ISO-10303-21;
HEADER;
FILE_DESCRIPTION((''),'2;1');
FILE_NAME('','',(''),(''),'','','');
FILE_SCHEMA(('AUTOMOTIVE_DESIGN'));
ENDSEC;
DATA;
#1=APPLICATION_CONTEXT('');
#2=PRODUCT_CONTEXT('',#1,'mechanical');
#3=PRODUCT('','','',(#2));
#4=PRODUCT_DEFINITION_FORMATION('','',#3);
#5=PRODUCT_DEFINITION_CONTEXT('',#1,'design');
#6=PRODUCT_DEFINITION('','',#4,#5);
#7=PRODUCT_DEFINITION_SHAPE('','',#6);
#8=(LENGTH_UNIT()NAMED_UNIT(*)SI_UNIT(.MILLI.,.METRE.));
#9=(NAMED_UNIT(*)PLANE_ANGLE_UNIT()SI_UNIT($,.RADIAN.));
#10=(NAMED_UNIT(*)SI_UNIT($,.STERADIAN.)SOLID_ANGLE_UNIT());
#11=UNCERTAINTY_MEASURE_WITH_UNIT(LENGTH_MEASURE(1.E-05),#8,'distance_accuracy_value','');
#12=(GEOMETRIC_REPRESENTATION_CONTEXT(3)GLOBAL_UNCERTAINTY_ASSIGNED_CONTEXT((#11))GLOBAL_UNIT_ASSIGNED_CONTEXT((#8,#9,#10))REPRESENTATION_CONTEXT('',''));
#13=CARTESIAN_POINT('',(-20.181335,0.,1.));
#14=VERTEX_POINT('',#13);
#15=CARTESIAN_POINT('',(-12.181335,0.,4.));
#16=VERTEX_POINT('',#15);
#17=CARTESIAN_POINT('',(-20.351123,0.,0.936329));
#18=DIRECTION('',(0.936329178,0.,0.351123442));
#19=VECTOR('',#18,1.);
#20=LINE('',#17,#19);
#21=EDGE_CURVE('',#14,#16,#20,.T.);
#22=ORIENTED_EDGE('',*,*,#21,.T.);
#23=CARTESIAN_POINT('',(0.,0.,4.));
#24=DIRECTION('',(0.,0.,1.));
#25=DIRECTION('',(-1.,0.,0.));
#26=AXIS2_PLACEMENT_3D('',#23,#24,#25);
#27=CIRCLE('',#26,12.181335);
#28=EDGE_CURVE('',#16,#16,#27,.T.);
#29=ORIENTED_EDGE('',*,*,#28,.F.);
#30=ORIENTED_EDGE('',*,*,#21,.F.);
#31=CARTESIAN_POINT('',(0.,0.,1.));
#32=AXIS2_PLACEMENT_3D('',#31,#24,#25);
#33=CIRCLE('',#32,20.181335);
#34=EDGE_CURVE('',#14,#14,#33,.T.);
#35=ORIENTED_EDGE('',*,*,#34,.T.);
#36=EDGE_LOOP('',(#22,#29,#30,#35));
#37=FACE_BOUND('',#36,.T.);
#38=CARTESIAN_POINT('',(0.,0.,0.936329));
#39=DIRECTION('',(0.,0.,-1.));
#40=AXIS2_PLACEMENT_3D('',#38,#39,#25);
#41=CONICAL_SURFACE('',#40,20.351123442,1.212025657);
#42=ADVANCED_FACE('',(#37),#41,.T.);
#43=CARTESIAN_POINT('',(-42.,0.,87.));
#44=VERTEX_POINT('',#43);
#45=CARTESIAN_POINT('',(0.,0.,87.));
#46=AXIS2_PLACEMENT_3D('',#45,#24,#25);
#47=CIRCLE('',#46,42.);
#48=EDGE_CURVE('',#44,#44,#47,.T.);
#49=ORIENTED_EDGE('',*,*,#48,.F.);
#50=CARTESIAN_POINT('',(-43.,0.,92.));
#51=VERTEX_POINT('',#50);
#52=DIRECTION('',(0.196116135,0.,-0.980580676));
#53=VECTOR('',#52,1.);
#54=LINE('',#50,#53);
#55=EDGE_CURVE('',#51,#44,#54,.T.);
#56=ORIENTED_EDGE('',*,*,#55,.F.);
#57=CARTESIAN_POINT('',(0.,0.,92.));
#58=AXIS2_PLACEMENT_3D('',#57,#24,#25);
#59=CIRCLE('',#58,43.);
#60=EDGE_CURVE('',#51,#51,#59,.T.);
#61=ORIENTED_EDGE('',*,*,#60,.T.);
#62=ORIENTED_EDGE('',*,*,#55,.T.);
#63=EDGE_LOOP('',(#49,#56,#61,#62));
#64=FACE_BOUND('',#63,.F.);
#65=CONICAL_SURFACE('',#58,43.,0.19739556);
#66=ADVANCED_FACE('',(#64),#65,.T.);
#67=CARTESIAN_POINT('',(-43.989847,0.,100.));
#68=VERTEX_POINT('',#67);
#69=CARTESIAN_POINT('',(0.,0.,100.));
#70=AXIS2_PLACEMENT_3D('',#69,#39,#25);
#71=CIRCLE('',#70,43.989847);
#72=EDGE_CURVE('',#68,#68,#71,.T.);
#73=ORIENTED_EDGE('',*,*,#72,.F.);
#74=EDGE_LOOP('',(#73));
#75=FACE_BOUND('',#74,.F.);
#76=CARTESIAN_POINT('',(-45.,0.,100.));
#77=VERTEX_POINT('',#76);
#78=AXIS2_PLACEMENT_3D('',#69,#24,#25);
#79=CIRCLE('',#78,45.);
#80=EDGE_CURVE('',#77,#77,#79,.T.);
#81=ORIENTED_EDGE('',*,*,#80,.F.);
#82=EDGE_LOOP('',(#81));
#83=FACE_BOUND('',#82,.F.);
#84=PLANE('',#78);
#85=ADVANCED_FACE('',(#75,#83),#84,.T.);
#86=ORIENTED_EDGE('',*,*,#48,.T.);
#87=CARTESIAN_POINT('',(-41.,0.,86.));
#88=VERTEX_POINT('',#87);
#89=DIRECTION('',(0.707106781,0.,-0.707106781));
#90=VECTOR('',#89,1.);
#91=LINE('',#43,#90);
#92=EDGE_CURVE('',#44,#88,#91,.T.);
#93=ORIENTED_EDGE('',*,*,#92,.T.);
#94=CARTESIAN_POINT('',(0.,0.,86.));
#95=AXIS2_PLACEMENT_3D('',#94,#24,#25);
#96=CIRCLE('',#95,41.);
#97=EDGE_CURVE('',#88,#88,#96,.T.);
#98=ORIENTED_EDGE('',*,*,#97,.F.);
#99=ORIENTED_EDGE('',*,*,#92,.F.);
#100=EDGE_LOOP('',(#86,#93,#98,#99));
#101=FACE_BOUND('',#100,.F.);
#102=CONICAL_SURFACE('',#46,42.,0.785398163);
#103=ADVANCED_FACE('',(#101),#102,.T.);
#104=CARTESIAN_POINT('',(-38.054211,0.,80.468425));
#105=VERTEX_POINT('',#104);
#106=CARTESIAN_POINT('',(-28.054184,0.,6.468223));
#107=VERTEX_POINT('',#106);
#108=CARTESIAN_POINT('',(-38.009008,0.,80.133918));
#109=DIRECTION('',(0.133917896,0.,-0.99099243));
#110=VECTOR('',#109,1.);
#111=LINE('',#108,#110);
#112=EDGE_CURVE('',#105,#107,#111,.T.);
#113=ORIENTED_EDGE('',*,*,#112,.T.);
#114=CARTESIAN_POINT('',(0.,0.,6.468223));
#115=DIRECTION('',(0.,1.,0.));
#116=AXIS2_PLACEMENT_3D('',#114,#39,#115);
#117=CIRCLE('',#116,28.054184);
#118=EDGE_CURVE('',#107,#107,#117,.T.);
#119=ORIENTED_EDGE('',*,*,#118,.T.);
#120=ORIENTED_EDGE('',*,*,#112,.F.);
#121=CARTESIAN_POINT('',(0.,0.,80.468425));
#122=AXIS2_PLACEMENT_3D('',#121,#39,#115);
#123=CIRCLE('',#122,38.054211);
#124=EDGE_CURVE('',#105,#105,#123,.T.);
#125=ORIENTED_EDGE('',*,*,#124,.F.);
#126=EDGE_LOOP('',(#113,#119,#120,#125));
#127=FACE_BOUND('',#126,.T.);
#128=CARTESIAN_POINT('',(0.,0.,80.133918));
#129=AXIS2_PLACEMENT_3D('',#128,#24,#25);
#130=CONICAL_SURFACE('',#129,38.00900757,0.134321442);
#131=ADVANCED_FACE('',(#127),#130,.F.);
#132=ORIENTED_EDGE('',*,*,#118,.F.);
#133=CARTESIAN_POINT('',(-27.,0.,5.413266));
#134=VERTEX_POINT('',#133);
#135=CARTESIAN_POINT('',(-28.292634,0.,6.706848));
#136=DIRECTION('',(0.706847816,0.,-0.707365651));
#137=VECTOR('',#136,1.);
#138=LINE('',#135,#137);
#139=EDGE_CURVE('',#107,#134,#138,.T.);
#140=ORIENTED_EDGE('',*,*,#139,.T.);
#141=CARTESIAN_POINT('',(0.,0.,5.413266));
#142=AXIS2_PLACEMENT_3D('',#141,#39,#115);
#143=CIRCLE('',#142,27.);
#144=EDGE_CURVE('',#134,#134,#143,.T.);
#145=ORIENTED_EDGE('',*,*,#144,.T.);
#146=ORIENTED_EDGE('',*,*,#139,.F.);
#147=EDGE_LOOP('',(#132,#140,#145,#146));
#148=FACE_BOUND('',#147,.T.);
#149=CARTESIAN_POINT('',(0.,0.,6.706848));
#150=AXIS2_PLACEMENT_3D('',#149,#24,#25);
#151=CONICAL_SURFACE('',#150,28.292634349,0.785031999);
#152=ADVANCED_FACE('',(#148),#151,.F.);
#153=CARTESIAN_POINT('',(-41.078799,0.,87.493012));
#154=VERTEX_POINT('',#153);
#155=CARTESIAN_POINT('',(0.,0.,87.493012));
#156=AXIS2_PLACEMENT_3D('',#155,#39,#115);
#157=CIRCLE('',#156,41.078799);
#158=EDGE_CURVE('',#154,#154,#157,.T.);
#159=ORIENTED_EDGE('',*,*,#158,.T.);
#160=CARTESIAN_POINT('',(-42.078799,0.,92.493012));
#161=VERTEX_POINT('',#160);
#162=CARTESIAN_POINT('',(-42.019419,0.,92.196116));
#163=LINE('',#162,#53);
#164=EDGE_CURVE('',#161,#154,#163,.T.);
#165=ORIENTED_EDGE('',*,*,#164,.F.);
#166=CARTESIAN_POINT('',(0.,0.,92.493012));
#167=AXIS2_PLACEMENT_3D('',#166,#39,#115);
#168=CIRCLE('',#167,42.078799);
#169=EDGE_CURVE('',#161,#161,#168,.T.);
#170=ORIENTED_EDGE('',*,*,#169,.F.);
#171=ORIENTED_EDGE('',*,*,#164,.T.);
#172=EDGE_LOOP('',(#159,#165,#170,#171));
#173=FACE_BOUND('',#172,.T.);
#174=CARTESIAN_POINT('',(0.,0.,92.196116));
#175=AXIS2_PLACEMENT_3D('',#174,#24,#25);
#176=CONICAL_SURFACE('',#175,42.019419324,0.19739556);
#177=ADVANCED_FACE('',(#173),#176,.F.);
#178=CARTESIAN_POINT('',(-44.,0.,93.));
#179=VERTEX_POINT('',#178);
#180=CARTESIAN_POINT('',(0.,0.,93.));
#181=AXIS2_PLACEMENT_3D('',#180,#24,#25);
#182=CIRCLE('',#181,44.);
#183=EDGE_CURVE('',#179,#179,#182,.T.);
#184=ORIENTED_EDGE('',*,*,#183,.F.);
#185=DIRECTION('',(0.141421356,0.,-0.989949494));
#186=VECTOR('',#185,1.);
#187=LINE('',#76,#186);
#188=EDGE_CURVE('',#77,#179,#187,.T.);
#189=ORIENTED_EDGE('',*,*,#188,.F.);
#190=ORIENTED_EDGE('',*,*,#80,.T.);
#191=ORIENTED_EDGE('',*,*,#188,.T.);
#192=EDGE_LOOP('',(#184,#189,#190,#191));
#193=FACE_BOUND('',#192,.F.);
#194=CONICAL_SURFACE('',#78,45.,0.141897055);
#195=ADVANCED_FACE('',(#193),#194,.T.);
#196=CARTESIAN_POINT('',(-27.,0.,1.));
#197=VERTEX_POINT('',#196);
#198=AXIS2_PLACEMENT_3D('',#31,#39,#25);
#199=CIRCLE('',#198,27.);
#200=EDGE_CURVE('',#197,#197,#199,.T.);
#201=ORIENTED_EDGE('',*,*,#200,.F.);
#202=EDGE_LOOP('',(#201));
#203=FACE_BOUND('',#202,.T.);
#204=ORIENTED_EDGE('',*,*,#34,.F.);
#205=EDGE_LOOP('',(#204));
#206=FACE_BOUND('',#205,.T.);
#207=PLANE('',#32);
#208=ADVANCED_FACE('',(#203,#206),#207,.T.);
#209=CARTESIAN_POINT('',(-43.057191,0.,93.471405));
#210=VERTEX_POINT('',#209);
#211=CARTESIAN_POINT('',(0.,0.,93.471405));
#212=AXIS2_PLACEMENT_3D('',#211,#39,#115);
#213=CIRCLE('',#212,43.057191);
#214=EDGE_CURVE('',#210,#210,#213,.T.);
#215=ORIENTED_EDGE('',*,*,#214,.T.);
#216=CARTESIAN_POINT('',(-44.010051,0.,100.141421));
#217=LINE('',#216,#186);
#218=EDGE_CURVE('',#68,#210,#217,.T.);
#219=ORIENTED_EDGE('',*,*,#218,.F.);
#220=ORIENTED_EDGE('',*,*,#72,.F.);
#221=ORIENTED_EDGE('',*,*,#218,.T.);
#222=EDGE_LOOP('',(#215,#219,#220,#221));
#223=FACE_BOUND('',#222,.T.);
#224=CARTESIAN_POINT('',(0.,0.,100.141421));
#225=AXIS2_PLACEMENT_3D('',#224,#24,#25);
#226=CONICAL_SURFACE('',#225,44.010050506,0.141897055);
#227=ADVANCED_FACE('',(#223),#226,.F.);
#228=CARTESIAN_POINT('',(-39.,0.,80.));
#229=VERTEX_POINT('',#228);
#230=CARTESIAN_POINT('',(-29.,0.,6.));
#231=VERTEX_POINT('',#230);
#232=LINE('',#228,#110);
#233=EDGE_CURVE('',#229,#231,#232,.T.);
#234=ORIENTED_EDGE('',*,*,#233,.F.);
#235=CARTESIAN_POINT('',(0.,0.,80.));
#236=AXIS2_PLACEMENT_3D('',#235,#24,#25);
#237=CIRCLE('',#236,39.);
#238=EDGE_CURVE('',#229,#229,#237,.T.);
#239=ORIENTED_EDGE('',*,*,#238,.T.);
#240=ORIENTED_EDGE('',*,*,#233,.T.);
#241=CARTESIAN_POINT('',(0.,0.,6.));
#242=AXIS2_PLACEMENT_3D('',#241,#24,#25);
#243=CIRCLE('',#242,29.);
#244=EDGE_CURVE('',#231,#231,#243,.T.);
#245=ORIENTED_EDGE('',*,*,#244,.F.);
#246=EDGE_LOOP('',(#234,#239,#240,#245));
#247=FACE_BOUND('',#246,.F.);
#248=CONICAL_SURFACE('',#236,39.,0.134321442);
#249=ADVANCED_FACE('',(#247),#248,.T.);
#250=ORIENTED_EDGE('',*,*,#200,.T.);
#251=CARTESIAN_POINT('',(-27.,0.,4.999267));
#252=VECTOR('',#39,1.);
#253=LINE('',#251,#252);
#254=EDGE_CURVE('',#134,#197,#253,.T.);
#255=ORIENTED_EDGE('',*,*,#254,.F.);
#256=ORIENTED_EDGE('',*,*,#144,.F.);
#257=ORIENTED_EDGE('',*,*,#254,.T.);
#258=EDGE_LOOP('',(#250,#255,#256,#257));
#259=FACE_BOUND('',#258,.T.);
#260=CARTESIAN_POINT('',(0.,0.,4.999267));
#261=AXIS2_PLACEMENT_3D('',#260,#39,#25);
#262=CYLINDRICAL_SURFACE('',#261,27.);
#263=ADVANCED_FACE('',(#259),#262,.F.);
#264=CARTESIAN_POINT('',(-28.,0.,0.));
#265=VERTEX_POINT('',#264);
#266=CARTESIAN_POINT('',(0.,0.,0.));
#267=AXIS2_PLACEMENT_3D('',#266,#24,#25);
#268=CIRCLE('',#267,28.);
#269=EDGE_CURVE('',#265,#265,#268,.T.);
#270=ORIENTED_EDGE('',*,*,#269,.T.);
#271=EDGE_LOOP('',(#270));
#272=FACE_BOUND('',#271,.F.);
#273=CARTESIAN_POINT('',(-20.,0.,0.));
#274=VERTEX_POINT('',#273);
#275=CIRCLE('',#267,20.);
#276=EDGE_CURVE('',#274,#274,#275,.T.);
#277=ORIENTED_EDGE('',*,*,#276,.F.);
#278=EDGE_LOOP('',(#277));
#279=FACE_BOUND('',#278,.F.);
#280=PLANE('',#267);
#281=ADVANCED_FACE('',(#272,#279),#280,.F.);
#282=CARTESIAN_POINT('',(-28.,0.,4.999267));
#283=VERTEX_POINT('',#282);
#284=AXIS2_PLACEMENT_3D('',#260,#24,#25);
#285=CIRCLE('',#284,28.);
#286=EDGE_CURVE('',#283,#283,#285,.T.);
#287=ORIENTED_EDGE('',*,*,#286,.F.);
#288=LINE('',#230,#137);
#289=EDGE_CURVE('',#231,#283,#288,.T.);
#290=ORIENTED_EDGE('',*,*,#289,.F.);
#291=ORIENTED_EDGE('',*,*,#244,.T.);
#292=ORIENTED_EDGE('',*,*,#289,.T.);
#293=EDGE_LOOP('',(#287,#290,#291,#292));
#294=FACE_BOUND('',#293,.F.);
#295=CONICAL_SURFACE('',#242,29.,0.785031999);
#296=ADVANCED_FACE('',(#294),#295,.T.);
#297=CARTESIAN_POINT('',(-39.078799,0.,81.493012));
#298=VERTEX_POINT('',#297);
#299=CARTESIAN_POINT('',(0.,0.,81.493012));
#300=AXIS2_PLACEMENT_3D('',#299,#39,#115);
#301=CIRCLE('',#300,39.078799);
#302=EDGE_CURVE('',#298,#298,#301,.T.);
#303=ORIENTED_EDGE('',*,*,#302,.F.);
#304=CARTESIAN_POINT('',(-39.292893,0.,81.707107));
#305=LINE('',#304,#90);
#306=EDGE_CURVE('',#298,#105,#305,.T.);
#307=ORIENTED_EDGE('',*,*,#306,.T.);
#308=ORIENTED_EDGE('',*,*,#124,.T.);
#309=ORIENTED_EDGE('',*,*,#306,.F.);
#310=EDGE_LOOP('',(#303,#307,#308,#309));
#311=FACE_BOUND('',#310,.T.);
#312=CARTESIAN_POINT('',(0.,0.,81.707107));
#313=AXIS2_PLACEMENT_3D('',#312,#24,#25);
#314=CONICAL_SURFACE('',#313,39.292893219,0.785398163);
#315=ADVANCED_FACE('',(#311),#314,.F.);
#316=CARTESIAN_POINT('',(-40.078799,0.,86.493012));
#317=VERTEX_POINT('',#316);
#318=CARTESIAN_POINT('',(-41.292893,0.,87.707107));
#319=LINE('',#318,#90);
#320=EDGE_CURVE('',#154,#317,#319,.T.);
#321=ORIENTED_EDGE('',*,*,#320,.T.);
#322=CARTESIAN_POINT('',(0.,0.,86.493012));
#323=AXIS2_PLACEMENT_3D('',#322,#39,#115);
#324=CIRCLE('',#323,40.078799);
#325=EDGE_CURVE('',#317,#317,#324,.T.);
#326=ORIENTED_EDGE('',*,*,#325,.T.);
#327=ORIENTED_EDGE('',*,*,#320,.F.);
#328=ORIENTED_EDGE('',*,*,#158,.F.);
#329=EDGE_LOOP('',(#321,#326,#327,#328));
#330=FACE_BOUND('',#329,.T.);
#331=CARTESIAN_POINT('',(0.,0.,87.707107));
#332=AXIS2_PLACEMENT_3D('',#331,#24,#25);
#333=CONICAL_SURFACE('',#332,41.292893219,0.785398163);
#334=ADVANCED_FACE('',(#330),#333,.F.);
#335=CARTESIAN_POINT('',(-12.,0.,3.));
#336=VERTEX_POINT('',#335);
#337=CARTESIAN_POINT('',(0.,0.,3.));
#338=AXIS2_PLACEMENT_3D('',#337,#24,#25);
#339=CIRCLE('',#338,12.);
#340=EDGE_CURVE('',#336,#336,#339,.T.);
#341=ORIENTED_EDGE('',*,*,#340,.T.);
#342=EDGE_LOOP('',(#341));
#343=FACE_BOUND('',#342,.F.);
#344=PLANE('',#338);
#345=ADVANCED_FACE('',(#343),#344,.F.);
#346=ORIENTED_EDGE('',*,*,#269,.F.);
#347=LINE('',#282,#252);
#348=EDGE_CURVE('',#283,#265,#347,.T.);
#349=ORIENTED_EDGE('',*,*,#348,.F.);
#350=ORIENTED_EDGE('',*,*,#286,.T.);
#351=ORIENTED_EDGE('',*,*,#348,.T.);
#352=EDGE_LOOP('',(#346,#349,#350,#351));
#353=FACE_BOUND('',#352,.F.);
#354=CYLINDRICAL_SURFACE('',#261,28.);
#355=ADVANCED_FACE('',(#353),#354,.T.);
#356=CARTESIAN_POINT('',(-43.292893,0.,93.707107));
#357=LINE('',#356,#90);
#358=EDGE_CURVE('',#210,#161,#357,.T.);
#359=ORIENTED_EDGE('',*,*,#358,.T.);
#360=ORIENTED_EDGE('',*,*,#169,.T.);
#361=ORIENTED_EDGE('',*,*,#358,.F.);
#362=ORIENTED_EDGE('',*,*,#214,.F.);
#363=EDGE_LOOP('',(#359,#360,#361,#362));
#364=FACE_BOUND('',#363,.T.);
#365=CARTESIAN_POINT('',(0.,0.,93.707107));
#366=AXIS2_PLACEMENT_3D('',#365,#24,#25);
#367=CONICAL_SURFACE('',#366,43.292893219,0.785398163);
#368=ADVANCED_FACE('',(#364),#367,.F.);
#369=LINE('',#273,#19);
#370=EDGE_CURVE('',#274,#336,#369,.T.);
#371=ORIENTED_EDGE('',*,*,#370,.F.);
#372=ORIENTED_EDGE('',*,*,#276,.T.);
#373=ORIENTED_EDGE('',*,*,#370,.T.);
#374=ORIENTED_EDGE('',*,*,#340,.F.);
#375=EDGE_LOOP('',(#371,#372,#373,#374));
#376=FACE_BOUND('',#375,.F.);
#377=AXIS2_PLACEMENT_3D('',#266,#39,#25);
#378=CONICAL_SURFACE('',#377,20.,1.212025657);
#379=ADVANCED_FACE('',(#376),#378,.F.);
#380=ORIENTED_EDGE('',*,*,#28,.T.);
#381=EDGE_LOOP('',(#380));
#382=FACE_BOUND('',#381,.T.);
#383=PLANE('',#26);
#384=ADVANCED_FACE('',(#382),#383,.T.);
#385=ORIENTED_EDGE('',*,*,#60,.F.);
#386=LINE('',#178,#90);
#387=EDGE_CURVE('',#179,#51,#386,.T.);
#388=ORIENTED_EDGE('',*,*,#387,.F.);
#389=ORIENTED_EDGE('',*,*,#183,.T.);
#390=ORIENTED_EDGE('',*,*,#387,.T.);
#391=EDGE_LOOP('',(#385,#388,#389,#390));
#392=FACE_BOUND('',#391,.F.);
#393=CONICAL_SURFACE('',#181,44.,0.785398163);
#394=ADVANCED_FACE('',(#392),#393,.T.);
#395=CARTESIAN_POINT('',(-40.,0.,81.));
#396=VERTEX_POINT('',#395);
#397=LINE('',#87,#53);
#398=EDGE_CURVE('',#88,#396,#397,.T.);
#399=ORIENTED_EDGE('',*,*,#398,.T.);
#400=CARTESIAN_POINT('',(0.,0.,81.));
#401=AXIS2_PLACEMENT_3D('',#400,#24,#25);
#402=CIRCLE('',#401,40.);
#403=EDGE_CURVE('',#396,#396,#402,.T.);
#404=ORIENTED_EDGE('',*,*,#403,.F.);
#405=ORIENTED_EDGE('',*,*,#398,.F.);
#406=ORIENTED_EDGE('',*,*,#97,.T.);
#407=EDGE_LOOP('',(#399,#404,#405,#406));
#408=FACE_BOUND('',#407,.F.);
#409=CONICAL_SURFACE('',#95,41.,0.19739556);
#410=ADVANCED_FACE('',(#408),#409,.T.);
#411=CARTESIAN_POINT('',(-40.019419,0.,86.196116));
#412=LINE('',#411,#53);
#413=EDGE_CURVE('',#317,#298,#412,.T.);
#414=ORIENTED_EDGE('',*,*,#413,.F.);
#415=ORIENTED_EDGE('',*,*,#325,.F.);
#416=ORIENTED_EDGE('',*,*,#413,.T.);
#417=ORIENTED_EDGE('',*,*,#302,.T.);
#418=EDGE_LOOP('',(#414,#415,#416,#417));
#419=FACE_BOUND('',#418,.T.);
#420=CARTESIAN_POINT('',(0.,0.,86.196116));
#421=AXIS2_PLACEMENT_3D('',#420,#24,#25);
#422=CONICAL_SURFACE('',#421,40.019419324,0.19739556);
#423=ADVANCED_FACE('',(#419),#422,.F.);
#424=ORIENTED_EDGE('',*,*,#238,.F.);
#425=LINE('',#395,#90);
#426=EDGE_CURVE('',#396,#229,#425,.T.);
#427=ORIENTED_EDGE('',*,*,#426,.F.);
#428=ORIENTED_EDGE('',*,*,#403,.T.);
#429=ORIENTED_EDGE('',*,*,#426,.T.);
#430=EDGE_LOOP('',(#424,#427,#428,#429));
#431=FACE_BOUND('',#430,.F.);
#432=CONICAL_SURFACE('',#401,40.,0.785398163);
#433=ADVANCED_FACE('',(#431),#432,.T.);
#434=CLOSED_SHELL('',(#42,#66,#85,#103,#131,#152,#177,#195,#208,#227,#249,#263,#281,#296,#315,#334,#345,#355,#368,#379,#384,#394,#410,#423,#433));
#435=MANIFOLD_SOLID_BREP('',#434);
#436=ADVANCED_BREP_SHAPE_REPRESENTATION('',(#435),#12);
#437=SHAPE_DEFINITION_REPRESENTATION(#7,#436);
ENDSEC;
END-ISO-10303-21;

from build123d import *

# Parameters (mm, degrees)
F3_T = -1


with BuildPart() as f2:
    # F0 (on Front) → F2 (revolve)
    with BuildSketch(Plane.XZ):
        Polygon((-12, 3), (0, 3), (0, 4.999267403), (-28, 4.999267403), (-28, 0), (-20, 0), align=None)
        Polygon((-28, 4.999267403), (0, 4.999267403), (0, 6), (-29, 6), align=None)
        Polygon((-29, 6), (0, 6), (0, 80), (-39, 80), align=None)
        Polygon((-39, 80), (0, 80), (0, 81), (-40, 81), align=None)
        Polygon((-40, 81), (0, 81), (0, 86), (-41, 86), align=None)
        Polygon((-41, 86), (0, 86), (0, 87), (-42, 87), align=None)
        Polygon((-42, 87), (0, 87), (0, 92), (-43, 92), align=None)
        Polygon((-43, 92), (0, 92), (0, 93), (-44, 93), align=None)
        Polygon((-44, 93), (0, 93), (0, 100), (-45, 100), align=None)
    revolve(axis=Axis((0, 0, 57.7713921666), (0, 0, 1)))

    # F3
    f3_openings = [f2.faces().sort_by_distance(p)[0] for p in [
        (0, 0, 100),
    ]]
    offset(amount=F3_T, openings=f3_openings, kind=Kind.INTERSECTION)


solid = f2.part
